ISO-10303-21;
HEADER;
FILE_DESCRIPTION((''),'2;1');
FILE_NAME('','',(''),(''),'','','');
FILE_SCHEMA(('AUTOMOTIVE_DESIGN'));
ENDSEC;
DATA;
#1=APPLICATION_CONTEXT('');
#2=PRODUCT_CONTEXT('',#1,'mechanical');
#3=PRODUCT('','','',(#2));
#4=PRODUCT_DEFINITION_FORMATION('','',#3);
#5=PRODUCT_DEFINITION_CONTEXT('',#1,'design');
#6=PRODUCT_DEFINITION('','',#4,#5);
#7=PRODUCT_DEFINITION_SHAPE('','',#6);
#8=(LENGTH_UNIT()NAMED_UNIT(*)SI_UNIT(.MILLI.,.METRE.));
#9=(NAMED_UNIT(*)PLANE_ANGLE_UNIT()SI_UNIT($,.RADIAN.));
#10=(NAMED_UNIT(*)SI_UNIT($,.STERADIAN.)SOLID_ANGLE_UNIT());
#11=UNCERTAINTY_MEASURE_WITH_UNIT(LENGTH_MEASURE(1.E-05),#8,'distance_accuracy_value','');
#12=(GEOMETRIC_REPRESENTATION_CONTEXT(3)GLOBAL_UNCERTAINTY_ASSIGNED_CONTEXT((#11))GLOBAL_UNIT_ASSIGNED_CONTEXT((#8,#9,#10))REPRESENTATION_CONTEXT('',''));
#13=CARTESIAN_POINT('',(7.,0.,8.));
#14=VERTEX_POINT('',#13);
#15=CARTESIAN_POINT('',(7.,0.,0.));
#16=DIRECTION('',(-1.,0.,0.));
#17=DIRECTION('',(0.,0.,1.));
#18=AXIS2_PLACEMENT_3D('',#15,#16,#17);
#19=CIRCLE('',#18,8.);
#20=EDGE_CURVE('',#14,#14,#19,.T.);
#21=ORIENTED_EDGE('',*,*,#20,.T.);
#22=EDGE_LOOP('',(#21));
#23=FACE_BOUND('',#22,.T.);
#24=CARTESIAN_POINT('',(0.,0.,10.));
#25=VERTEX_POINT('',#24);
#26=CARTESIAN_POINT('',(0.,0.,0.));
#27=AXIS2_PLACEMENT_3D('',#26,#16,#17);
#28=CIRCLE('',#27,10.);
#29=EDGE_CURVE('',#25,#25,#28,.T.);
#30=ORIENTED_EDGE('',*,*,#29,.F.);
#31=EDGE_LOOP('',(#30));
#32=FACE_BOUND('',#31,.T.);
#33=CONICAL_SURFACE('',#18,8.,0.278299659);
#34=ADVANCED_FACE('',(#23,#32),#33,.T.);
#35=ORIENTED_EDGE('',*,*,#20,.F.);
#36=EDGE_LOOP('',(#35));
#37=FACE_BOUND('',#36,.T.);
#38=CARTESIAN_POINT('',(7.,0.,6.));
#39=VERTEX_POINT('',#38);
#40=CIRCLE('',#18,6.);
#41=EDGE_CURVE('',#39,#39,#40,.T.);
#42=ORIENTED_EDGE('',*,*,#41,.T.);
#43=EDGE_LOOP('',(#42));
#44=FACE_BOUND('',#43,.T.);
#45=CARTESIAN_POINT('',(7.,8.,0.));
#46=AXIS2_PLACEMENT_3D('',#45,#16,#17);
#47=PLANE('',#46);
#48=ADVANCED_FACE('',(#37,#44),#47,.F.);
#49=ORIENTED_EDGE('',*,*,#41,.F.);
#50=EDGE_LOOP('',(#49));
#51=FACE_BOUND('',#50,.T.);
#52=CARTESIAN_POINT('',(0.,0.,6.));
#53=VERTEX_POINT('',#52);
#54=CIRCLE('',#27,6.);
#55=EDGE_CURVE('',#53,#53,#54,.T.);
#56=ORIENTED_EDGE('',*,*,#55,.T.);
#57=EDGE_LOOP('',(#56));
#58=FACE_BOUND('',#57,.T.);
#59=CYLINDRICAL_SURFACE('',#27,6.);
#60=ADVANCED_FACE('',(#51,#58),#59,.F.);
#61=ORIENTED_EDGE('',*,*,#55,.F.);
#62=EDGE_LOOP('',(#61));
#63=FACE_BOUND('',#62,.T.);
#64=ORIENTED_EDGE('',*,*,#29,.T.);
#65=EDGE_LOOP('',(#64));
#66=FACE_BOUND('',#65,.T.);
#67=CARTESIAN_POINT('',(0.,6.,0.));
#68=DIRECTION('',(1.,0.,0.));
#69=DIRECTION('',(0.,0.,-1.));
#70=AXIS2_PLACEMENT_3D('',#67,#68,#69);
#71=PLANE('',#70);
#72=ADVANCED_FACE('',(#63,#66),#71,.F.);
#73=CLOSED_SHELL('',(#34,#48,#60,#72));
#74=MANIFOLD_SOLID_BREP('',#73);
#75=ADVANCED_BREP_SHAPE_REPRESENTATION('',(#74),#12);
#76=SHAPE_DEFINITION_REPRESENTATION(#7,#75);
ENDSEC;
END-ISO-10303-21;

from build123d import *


with BuildPart() as part:
    # Szkic1 → Obrót1 (revolve)
    with BuildSketch(Plane.XY):
        Polygon((0, 6), (0, 10), (7, 8), (7, 6), align=None)
    revolve(axis=Axis((0, 0, 0), (1, 0, 0)))


solid = part.part
